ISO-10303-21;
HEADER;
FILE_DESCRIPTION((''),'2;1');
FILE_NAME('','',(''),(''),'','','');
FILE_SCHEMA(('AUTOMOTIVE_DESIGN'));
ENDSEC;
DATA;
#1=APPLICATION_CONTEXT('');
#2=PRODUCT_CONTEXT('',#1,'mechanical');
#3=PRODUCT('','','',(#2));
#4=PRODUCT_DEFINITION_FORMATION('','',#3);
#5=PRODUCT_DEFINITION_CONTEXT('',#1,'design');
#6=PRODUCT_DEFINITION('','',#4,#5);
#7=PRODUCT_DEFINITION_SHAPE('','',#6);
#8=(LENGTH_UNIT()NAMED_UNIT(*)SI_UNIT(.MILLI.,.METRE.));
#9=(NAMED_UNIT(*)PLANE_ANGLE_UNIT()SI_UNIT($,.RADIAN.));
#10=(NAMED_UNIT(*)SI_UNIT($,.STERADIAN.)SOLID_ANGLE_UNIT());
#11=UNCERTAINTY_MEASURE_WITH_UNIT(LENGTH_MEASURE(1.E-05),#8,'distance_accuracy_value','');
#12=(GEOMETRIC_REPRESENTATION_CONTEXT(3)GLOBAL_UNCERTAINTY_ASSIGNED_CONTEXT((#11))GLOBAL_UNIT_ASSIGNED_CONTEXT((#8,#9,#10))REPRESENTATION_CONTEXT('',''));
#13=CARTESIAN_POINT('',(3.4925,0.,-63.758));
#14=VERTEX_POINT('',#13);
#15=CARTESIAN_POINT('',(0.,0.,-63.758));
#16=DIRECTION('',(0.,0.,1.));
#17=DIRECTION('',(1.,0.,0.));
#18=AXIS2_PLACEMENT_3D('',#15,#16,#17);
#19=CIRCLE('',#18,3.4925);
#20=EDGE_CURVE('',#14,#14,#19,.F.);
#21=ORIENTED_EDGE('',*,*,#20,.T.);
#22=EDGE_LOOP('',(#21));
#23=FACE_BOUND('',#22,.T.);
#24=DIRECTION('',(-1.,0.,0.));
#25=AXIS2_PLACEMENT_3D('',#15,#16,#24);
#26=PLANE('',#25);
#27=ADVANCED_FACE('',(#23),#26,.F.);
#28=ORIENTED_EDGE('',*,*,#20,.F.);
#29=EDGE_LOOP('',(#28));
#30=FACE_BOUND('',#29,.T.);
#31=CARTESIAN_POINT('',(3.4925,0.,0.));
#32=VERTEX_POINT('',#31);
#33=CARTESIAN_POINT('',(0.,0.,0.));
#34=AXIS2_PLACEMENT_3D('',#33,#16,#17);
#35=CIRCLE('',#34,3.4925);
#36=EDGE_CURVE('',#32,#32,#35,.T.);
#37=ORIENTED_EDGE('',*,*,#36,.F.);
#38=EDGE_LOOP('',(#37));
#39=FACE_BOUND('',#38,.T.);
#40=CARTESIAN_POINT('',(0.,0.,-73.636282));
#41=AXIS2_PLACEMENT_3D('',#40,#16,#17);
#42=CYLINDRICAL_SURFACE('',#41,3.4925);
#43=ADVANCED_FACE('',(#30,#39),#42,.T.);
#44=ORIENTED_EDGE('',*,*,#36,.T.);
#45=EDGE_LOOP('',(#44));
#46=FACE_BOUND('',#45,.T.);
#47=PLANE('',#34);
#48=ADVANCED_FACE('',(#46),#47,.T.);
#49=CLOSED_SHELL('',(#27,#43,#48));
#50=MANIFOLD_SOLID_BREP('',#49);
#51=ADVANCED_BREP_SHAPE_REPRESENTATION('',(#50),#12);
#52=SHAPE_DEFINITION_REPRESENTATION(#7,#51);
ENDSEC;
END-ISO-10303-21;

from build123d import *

# Parameters (mm, degrees)
SKETCH1_R           = 3.4925
BOSS_EXTRUDE1_DEPTH = 63.758


with BuildPart() as part:
    # Sketch1 → Boss-Extrude1 (new body)
    with BuildSketch(Plane.XY):
        Circle(SKETCH1_R)
    extrude(amount=-BOSS_EXTRUDE1_DEPTH)


solid = part.part
